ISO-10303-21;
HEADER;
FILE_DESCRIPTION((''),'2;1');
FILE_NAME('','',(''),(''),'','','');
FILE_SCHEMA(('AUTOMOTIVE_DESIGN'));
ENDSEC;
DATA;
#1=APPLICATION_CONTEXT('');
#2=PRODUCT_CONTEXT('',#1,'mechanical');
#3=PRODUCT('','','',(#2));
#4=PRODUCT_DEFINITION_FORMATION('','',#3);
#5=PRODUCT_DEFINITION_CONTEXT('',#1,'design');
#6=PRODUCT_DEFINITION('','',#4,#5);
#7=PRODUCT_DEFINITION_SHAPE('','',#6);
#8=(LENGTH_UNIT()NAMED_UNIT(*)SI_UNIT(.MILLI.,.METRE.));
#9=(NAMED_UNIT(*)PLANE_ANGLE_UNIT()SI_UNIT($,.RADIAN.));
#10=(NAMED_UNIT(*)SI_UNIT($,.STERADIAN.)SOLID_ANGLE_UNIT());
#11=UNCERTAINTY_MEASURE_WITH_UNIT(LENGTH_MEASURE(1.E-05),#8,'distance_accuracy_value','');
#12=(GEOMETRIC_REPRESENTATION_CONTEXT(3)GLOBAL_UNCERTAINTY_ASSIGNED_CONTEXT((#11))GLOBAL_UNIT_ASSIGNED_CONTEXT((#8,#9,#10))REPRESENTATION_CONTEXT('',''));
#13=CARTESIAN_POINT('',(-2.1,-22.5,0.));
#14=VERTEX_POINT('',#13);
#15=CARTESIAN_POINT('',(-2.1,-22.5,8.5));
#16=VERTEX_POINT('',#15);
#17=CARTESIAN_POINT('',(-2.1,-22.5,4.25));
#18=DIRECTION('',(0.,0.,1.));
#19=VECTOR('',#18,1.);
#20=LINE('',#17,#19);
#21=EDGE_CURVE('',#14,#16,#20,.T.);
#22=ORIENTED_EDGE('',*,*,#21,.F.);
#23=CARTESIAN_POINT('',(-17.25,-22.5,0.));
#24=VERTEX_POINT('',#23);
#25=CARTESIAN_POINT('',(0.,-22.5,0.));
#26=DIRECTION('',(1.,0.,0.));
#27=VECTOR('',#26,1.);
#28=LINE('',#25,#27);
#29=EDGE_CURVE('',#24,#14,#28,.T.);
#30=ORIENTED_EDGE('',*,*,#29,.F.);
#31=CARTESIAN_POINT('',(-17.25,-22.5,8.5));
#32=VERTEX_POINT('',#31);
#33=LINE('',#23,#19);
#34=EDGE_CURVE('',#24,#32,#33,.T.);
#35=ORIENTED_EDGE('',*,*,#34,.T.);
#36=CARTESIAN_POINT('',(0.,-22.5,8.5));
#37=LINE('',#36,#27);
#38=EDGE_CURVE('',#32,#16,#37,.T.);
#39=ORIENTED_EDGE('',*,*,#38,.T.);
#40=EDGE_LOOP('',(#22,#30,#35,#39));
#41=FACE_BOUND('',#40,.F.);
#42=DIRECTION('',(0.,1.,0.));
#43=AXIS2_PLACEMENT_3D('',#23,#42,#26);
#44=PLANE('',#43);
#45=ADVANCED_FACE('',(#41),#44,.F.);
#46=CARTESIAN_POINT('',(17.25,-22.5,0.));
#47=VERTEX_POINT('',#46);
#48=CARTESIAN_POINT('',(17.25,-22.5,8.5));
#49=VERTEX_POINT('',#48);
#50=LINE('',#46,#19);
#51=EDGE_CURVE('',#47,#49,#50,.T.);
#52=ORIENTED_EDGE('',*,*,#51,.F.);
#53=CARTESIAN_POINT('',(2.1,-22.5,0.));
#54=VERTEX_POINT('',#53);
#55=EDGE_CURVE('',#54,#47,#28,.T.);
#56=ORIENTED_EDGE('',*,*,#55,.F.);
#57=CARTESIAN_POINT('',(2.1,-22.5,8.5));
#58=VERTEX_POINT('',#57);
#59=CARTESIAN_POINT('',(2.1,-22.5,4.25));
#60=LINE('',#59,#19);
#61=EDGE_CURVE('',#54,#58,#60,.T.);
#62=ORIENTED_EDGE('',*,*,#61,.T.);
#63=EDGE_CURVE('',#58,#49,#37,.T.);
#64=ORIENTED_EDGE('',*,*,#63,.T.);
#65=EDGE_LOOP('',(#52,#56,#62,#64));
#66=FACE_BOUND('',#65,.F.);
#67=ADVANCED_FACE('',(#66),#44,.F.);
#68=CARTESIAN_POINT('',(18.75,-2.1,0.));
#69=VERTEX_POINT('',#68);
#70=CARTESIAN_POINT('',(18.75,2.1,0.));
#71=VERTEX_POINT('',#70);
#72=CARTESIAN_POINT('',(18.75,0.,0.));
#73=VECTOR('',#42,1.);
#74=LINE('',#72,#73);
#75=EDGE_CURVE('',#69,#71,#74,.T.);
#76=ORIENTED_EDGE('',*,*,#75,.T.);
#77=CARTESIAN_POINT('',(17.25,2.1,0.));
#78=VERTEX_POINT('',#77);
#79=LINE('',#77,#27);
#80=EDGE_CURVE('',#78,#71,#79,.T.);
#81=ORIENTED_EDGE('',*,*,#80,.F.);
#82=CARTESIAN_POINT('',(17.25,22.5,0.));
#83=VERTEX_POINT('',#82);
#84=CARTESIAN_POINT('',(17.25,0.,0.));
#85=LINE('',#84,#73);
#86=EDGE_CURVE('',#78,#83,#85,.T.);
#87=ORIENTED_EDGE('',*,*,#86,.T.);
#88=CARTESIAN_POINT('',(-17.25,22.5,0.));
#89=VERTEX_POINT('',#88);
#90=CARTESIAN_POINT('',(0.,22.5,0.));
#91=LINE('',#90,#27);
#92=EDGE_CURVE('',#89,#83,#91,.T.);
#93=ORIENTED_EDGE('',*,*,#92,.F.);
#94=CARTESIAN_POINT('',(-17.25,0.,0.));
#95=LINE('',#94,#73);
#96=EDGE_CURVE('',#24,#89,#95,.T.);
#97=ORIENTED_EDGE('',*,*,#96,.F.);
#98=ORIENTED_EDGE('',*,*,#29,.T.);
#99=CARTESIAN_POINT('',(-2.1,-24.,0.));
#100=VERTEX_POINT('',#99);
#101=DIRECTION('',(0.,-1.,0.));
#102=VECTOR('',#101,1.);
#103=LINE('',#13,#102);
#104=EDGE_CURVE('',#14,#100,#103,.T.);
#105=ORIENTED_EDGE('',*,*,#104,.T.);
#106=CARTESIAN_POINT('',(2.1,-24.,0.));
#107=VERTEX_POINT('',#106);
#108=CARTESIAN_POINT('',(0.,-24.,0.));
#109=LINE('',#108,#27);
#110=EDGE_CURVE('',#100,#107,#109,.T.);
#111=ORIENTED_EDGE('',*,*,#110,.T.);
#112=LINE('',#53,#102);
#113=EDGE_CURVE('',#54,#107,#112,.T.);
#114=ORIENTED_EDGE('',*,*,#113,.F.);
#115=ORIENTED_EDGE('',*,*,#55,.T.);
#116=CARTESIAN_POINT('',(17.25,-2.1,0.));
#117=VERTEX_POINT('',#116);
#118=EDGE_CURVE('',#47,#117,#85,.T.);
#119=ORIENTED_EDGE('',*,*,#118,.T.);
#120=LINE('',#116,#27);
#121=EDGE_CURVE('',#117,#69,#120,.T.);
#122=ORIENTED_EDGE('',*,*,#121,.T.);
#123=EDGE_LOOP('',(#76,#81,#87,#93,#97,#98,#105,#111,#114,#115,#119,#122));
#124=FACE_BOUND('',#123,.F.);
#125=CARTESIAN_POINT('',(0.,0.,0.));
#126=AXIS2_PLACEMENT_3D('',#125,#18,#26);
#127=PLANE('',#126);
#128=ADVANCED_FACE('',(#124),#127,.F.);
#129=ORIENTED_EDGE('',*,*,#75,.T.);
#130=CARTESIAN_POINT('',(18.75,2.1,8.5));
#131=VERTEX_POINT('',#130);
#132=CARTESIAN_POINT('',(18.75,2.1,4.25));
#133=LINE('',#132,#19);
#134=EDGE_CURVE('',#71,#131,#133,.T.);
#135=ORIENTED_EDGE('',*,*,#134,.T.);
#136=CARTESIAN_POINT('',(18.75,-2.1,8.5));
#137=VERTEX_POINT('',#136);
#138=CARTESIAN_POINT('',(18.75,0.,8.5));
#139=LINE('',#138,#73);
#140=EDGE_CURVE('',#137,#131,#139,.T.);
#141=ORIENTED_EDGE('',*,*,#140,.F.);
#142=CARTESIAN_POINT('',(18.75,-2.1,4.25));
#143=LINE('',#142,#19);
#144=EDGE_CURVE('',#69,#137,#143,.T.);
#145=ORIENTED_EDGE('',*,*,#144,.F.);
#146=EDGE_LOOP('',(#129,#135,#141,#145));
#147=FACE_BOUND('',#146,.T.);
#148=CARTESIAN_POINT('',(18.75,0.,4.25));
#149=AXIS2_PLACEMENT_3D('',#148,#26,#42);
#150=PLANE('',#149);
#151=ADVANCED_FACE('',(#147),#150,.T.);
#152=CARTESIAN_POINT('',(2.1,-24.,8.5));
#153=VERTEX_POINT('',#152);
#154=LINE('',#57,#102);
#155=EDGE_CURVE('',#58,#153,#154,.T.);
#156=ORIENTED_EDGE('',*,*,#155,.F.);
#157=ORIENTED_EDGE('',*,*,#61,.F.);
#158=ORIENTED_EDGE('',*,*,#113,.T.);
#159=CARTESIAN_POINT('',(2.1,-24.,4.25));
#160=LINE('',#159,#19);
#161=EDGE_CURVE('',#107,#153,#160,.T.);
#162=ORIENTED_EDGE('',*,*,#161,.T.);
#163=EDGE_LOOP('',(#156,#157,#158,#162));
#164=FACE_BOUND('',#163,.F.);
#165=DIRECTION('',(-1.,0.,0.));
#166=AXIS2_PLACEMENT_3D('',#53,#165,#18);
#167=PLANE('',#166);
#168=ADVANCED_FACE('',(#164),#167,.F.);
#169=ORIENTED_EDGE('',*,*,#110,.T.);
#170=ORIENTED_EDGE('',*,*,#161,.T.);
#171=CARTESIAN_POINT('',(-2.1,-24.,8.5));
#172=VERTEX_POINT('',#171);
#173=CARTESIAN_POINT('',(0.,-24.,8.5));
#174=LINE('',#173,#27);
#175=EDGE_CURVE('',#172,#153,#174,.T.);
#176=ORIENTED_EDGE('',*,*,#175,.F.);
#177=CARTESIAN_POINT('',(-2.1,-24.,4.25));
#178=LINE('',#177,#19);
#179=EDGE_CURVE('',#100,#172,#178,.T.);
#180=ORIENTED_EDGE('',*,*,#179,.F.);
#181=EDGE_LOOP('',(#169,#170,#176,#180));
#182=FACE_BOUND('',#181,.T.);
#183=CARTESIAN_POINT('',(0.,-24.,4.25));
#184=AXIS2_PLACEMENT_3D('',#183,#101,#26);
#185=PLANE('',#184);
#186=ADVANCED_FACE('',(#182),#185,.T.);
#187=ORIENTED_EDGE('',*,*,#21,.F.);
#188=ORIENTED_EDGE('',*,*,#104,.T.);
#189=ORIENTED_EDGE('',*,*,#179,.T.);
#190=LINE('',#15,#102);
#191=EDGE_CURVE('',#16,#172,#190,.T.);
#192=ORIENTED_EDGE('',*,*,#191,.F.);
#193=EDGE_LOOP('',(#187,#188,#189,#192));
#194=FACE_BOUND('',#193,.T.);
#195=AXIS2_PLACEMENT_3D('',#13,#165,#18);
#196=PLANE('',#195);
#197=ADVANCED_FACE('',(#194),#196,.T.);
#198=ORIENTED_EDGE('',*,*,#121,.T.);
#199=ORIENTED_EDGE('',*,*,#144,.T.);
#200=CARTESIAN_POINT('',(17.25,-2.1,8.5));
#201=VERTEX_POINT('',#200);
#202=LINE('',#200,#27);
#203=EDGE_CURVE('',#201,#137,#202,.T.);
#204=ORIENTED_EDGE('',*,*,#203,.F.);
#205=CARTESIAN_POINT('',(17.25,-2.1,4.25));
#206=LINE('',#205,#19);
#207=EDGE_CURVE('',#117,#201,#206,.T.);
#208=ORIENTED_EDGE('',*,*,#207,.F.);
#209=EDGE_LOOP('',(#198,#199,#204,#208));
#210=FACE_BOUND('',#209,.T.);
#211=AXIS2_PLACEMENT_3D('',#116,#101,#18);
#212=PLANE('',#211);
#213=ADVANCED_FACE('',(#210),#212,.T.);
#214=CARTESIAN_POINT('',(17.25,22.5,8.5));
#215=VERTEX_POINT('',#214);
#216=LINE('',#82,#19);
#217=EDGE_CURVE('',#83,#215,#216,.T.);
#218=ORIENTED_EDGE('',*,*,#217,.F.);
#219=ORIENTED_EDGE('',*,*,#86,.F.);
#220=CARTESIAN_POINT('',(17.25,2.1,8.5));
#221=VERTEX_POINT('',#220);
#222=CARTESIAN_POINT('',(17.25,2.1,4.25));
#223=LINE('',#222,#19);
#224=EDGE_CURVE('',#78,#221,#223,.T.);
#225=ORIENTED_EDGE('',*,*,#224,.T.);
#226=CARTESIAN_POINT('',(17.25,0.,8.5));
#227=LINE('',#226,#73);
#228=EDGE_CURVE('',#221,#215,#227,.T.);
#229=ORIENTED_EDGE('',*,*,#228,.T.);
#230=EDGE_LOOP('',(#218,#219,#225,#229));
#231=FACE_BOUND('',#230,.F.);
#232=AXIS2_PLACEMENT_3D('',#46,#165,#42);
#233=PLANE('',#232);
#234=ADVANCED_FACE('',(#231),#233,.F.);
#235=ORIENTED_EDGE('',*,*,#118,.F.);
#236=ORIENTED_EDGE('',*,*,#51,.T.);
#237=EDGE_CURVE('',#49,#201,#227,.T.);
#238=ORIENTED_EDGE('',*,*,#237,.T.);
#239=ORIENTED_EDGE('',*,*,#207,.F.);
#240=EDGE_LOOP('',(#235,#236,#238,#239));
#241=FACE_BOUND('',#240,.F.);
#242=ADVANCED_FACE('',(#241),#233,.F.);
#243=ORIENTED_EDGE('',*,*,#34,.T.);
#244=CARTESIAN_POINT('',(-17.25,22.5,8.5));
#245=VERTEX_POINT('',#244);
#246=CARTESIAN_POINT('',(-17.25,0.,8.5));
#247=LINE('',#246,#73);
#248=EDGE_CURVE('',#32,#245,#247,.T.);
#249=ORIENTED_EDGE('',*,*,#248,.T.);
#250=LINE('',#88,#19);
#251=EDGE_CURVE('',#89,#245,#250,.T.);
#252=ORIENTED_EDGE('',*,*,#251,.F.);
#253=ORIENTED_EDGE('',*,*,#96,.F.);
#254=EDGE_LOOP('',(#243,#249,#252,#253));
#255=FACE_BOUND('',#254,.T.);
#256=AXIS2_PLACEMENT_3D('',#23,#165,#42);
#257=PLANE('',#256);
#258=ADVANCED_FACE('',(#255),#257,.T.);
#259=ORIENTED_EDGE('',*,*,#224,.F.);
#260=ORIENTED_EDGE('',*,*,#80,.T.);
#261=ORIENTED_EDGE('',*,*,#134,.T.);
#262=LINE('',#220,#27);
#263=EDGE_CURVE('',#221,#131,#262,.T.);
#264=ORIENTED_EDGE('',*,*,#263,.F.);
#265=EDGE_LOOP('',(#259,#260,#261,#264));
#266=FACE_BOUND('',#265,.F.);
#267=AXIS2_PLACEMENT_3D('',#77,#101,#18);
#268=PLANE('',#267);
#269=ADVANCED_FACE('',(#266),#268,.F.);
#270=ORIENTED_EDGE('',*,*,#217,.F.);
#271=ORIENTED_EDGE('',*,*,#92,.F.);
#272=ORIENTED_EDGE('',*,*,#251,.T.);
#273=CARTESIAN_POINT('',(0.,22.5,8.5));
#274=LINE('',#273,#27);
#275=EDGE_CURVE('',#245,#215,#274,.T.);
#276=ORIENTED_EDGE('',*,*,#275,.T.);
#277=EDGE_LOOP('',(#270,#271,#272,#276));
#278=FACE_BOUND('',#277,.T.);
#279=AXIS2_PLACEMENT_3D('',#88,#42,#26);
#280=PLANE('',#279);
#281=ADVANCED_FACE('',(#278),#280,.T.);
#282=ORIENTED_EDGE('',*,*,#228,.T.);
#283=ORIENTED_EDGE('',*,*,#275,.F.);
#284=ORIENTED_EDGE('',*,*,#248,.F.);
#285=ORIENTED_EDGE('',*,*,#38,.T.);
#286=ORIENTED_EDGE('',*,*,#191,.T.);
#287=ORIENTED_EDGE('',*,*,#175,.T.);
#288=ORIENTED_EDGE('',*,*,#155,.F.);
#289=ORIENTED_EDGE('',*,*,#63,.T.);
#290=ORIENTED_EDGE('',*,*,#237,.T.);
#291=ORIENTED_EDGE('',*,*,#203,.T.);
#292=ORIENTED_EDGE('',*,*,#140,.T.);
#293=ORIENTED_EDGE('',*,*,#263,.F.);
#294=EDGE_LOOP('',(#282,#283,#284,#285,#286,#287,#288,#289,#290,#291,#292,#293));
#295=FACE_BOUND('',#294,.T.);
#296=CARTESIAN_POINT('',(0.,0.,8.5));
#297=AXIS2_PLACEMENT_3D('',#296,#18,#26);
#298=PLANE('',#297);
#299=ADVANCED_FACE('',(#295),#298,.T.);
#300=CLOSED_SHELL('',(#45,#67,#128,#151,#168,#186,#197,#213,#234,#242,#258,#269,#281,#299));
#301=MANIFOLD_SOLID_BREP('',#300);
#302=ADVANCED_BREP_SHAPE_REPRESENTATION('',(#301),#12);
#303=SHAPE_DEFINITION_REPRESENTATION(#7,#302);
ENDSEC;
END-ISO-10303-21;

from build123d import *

# Parameters (mm, degrees)
SKETCH_W     = 34.5
SKETCH_H     = 45
PAD_DEPTH    = 8.5
SKETCH001_W  = 4.2
SKETCH001_H  = 8.5
PAD001_DEPTH = 1.5
SKETCH002_W  = 4.2
SKETCH002_H  = 8.5
PAD002_DEPTH = 1.5


with BuildPart() as part:
    # Sketch → Pad (new body)
    with BuildSketch(Plane.XY):
        Rectangle(SKETCH_W, SKETCH_H)
    extrude(amount=PAD_DEPTH)

    # Sketch001 (on Face3 of Pad) → Pad001 (join)
    with BuildSketch(Plane.YZ.offset(17.25)):
        with Locations((0, 4.25)):
            Rectangle(SKETCH001_W, SKETCH001_H)
    extrude(amount=PAD001_DEPTH)

    # Sketch002 (on Face2 of Pad) → Pad002 (join)
    with BuildSketch(Plane.XZ.offset(22.5)):
        with Locations((0, 4.25)):
            Rectangle(SKETCH002_W, SKETCH002_H)
    extrude(amount=PAD002_DEPTH)


solid = part.part
